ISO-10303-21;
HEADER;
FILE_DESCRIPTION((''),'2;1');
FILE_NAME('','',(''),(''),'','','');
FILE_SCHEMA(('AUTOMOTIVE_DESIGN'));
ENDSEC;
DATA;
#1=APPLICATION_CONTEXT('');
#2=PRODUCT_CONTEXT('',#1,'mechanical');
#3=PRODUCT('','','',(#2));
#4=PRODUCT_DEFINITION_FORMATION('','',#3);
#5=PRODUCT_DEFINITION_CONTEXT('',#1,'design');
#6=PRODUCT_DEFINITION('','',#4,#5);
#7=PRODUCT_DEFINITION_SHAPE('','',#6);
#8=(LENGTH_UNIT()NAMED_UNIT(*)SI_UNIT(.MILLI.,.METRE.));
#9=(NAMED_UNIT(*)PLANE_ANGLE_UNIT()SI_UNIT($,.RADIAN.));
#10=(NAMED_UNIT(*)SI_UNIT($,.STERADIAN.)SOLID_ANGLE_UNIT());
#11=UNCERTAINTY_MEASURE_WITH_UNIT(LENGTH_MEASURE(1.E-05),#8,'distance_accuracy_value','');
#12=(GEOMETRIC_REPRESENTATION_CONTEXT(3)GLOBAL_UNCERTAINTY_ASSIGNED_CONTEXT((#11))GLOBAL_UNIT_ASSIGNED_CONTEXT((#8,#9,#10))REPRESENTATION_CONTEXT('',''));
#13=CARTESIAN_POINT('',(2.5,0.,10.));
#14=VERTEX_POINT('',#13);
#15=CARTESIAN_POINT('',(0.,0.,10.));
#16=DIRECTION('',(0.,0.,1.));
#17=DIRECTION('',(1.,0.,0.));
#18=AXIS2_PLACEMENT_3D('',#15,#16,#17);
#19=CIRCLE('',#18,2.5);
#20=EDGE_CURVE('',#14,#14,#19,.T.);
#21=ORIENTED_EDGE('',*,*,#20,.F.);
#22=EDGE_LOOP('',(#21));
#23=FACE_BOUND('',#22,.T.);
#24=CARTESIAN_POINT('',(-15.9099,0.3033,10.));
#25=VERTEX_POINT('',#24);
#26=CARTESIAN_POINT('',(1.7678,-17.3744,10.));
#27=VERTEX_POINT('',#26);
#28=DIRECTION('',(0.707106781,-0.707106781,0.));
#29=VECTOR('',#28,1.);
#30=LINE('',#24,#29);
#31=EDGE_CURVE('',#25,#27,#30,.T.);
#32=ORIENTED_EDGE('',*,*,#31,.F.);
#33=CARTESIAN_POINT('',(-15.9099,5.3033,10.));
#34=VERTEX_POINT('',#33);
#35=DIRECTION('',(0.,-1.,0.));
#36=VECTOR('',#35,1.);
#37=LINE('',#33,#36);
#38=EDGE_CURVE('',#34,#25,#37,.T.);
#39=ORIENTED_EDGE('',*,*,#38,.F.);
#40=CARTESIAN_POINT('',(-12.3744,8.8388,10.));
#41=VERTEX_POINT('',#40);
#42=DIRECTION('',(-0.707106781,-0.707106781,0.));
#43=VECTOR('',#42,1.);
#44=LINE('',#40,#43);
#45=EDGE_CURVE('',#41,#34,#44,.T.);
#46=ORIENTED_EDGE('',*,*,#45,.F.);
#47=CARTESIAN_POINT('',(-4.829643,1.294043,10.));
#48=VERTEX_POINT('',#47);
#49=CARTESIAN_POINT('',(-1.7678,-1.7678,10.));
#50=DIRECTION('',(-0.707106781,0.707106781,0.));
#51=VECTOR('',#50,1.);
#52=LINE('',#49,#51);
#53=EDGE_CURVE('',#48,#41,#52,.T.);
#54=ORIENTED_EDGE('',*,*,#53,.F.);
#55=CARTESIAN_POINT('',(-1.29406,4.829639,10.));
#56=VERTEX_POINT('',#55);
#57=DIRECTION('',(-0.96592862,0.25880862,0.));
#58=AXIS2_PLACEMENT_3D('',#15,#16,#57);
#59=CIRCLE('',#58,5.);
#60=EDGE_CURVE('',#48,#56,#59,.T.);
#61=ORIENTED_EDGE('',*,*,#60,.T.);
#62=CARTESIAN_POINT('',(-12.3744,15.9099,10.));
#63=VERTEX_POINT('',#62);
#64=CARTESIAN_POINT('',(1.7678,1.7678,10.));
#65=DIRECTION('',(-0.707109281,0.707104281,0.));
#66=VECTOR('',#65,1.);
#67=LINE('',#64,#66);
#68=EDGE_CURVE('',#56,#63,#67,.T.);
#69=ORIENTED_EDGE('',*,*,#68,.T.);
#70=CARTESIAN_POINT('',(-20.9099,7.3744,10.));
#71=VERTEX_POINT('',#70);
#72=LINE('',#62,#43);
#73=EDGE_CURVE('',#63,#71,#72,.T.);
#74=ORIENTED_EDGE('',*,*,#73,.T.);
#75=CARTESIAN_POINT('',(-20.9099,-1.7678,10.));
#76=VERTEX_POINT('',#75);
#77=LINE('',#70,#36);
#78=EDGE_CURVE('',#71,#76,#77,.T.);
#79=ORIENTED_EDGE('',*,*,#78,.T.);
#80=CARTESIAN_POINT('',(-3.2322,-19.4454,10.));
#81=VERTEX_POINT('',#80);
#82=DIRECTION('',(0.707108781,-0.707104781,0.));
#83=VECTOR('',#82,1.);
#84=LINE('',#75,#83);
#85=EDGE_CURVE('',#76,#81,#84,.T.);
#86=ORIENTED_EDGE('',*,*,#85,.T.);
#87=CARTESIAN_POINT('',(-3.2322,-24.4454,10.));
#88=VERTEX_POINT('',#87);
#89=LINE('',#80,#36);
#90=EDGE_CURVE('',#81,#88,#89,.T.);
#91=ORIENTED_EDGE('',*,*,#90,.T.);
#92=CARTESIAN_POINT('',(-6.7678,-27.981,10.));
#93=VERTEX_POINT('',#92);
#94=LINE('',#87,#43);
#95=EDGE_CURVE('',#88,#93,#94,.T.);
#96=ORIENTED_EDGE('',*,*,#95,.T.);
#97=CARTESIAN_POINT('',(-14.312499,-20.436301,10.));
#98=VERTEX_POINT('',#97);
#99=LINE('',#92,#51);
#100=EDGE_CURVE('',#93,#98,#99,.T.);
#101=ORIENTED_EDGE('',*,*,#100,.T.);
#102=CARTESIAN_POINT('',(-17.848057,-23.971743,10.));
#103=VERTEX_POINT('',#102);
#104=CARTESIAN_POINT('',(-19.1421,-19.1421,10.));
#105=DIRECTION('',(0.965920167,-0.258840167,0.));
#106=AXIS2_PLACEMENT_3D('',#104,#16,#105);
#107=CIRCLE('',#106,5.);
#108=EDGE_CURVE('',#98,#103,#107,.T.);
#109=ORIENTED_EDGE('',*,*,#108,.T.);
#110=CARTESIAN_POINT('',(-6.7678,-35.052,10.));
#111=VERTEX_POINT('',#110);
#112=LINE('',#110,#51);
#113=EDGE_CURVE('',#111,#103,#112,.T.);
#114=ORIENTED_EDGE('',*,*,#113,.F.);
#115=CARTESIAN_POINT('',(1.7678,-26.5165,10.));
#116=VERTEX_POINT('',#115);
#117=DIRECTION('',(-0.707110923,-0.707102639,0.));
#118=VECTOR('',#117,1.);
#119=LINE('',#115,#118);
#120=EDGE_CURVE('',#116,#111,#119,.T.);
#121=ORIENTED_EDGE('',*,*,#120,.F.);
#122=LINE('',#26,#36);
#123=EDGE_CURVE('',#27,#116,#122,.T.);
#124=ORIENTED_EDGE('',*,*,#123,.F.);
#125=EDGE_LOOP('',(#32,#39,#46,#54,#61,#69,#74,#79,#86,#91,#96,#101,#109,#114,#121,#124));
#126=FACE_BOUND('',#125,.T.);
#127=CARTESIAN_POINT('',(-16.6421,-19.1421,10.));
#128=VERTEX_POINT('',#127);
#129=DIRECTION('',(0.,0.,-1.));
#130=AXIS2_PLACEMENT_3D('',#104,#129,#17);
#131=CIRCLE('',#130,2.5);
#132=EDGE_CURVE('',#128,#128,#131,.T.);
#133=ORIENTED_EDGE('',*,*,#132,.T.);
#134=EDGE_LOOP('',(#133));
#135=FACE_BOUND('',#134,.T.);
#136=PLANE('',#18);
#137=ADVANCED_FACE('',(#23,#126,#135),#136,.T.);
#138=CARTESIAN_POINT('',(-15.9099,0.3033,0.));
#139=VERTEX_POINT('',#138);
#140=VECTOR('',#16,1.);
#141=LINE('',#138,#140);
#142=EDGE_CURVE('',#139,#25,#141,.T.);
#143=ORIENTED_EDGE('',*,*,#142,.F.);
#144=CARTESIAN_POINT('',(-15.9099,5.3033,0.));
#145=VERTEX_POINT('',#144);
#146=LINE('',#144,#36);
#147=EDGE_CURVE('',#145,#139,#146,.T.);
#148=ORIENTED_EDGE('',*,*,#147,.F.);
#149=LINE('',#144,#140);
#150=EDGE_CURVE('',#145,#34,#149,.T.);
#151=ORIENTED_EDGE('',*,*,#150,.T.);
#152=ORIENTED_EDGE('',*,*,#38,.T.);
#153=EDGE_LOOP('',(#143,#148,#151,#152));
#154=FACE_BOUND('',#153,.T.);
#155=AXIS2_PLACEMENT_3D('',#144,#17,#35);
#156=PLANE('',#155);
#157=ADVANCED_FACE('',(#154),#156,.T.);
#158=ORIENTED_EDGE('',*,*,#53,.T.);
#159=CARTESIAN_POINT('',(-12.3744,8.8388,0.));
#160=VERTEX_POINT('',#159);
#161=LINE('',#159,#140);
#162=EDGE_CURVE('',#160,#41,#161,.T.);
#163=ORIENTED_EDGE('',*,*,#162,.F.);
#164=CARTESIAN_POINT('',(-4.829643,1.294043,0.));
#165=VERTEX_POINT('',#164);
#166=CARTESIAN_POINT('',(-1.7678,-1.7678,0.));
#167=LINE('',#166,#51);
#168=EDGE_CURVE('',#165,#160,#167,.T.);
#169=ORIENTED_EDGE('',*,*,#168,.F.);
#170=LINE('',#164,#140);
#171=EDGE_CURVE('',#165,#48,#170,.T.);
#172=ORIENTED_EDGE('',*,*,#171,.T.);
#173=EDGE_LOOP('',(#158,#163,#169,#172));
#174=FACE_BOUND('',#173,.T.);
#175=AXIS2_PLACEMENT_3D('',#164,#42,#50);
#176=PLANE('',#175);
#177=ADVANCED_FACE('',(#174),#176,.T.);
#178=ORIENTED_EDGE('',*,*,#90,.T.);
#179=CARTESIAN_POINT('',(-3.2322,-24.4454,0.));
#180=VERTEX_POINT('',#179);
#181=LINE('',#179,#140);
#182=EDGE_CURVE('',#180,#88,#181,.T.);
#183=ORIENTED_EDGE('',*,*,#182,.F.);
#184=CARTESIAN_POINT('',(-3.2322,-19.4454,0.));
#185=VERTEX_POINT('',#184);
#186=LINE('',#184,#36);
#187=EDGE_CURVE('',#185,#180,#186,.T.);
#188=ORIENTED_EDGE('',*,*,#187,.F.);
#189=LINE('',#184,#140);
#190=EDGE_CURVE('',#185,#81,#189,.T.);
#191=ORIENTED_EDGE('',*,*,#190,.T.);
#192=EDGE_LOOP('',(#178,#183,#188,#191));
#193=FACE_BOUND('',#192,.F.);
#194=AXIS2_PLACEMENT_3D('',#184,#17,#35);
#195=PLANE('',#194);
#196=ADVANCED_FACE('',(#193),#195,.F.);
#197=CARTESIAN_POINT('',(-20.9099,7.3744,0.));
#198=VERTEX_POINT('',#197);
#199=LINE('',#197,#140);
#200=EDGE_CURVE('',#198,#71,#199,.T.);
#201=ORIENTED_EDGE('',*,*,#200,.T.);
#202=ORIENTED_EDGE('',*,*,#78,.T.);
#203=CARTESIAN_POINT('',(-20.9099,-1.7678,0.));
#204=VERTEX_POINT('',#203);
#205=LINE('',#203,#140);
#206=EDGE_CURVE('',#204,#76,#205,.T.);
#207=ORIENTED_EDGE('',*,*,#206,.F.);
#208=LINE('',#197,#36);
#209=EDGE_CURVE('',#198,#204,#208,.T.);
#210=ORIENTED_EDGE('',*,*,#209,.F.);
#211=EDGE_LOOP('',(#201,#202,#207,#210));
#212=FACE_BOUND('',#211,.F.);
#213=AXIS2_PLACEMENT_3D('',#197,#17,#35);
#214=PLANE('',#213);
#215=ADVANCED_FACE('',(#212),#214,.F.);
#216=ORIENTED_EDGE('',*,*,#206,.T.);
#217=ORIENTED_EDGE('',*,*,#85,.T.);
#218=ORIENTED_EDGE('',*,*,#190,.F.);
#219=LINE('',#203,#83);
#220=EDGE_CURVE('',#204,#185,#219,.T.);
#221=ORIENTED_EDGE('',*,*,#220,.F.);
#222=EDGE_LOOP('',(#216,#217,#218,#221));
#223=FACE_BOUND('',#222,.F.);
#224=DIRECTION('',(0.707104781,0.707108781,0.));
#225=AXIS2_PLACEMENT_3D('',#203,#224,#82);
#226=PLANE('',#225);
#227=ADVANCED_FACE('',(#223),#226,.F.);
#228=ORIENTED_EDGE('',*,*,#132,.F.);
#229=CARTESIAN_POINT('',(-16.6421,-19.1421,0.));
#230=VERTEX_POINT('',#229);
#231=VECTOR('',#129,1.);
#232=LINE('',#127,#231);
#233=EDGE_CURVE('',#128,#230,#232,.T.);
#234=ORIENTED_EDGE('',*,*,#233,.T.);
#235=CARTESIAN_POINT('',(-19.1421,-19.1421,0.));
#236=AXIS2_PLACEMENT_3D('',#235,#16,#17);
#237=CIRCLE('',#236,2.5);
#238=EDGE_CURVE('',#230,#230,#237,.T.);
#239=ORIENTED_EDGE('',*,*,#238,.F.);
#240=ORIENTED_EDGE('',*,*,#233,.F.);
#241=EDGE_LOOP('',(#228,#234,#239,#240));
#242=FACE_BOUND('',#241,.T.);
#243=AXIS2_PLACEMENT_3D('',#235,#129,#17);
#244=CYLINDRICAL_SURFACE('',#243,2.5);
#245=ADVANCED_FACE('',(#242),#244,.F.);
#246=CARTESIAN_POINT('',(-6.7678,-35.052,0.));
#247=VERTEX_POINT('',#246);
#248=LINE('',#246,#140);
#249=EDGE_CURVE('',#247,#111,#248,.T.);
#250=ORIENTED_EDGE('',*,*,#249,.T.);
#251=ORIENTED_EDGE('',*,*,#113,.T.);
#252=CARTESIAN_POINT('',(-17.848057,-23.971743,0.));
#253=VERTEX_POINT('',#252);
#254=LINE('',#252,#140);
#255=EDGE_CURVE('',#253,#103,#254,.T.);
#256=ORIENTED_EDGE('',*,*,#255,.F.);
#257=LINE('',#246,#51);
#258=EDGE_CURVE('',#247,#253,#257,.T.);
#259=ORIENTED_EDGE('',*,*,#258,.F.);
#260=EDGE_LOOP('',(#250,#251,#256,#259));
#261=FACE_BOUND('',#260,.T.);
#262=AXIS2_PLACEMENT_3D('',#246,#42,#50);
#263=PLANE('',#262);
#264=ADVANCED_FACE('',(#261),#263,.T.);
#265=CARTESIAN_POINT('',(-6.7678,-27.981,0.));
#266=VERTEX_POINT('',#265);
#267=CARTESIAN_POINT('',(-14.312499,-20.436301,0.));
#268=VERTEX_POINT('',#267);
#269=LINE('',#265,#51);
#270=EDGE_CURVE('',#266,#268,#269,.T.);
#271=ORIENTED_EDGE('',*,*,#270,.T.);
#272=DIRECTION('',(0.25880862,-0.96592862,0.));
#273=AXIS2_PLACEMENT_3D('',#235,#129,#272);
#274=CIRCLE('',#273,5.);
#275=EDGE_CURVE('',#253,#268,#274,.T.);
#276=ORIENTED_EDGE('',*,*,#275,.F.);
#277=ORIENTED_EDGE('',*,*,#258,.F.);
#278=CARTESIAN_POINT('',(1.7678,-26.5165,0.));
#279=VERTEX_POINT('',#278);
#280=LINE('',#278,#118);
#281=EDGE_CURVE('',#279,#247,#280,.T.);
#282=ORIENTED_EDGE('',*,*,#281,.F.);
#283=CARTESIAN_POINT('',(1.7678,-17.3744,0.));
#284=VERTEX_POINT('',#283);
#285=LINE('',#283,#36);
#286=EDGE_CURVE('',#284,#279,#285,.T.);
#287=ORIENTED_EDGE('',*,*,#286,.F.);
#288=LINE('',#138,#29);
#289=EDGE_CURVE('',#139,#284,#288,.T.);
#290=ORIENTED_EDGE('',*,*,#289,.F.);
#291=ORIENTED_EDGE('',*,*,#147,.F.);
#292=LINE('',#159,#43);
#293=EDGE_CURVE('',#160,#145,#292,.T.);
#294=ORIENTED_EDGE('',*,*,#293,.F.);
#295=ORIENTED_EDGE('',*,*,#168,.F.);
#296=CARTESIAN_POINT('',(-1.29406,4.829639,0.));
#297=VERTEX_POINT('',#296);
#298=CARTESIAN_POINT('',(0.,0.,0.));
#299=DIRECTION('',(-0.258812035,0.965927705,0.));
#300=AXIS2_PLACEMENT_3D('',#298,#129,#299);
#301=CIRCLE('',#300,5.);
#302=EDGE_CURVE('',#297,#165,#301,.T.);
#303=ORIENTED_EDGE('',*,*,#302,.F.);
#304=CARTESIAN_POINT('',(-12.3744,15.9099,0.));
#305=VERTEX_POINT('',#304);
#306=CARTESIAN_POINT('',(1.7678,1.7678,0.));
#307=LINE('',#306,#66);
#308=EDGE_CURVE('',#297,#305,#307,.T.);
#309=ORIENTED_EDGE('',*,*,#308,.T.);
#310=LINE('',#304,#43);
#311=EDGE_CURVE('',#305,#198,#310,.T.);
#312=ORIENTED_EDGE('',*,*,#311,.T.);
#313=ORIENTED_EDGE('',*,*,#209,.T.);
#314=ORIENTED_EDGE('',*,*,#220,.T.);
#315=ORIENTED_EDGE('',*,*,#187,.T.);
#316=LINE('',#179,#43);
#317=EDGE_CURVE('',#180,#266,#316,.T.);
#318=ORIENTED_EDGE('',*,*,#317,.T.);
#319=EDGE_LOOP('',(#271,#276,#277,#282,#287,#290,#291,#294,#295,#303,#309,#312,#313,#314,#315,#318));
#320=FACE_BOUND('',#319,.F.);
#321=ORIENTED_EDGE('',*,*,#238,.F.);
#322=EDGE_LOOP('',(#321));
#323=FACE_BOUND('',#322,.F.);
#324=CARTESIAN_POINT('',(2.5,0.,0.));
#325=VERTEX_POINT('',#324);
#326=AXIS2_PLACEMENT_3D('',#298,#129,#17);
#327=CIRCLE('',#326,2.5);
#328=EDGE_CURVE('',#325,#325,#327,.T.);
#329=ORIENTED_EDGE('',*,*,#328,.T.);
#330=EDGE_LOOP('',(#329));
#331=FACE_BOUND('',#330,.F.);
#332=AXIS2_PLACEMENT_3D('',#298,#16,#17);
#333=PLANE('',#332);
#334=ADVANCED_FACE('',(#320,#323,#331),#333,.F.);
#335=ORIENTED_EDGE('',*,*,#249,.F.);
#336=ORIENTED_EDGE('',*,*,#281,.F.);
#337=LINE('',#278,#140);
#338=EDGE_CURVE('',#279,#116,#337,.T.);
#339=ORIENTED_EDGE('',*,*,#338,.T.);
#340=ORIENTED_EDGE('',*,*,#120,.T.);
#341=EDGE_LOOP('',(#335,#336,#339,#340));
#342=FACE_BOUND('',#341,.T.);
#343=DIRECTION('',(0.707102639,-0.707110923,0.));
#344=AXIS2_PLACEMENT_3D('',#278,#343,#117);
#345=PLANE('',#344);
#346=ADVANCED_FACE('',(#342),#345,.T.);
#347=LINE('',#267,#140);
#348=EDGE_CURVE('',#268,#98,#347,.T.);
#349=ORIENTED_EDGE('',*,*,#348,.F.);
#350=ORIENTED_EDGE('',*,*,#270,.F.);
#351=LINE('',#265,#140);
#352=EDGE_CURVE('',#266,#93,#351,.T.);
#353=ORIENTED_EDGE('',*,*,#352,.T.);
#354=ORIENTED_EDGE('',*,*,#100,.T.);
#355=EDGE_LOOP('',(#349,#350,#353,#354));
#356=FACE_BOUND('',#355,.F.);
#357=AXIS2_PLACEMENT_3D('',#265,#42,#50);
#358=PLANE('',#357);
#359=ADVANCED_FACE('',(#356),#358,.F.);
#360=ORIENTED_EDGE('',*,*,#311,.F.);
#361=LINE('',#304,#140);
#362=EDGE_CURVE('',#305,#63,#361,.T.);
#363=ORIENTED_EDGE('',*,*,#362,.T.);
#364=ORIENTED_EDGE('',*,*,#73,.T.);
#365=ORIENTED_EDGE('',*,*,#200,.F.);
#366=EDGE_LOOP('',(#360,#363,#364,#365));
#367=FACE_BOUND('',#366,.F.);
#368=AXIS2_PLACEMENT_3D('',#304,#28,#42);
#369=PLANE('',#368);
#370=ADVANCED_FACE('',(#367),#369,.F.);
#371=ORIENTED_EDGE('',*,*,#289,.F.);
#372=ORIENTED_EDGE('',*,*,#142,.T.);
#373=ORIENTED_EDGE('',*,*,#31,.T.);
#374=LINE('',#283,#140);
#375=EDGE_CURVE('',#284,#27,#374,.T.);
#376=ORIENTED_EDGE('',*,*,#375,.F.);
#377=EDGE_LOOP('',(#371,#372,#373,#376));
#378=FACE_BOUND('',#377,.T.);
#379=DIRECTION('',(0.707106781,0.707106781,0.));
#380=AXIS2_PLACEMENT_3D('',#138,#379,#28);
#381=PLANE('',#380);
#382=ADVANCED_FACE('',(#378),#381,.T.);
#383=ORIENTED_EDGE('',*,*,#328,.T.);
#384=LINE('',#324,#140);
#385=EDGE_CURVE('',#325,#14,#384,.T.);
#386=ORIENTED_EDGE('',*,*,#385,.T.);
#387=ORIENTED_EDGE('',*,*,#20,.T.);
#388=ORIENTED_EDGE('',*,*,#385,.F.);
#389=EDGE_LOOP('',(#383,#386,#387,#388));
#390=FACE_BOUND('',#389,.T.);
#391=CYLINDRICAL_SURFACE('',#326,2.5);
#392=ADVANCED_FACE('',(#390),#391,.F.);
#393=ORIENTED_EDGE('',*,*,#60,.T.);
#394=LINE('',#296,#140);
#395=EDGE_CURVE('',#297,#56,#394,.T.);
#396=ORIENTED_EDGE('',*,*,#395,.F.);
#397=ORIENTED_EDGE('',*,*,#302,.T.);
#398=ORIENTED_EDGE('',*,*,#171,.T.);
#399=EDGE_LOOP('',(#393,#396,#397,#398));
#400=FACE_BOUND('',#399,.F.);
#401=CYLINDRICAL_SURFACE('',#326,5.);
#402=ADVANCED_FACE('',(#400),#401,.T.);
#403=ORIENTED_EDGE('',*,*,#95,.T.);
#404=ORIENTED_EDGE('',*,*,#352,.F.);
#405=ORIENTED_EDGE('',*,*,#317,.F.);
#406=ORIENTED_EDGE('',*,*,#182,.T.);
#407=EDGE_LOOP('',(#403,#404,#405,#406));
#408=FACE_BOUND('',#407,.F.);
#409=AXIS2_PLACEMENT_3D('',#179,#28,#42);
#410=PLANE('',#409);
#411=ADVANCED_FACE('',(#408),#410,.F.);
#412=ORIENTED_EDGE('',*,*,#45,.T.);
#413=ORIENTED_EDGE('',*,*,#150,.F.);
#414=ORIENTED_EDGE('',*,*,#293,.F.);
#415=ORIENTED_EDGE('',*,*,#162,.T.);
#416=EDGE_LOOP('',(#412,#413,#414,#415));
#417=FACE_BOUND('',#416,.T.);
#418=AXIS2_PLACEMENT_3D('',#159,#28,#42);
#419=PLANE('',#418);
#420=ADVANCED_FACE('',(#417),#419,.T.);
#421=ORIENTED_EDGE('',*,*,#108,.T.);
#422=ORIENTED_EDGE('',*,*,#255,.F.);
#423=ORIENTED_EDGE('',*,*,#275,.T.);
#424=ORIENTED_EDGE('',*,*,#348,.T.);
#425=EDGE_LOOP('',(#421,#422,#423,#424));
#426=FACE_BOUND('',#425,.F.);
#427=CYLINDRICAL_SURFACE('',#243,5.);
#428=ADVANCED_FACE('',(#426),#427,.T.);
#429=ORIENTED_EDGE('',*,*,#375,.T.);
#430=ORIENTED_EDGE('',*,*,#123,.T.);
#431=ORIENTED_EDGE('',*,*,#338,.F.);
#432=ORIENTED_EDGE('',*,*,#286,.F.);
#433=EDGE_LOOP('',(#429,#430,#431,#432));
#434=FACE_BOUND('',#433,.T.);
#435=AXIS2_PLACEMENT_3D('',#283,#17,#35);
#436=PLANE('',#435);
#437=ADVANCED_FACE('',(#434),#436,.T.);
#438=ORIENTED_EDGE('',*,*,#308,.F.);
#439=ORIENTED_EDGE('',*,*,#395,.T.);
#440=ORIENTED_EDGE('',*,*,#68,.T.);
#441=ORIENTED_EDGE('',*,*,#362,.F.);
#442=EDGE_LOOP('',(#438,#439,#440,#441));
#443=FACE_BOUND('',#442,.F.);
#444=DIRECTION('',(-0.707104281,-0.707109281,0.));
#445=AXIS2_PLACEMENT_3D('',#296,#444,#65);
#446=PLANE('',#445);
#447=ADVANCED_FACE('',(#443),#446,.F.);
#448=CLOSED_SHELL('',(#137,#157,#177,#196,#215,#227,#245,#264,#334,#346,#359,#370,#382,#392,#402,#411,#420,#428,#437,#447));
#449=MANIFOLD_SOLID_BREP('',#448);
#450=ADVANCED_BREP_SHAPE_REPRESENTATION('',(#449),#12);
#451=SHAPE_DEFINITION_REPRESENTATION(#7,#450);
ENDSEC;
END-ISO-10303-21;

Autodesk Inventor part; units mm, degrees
ref_plane "YZ Plane" through (0, 0, 0) normal (1, 0, 0) x (0, 1, 0)
ref_plane "XZ Plane" through (0, 0, 0) normal (0, 1, 0) x (-1, 0, 0)
ref_plane "XY Plane" through (0, 0, 0) normal (0, 0, 1) x (1, 0, 0)
sketch "Sketch1" plane through (0, 0, 0) normal (0, 0, 1) x (1, 0, 0)
  circle A0 centre (0, 0) radius 2.5
  circle A1 centre (0, 0) radius 5
  line L0 (-1.7678, -1.7678) -> (-12.3744, 8.8388)
  line L1 (-12.3744, 8.8388) -> (-15.9099, 5.3033)
  line L2 (-15.9099, 5.3033) -> (-15.9099, 0.3033)
  line L3 (-15.9099, 0.3033) -> (1.7678, -17.3744)
  line L4 (1.7678, -17.3744) -> (1.7678, -26.5165)
  line L5 (1.7678, -26.5165) -> (-6.7678, -35.052)
  line L6 (-6.7678, -35.052) -> (-20.9099, -20.9099)
  line L7 (1.7678, 1.7678) -> (-12.3744, 15.9099)
  line L8 (-12.3744, 15.9099) -> (-20.9099, 7.3744)
  line L9 (-20.9099, 7.3744) -> (-20.9099, -1.7678)
  line L10 (-20.9099, -1.7678) -> (-3.2322, -19.4454)
  line L11 (-3.2322, -19.4454) -> (-3.2322, -24.4454)
  line L12 (-3.2322, -24.4454) -> (-6.7678, -27.981)
  line L13 (-6.7678, -27.981) -> (-17.3744, -17.3744)
  line L14 (-17.3744, -17.3744) -> (-20.9099, -20.9099)
  line L15 (-1.7678, -1.7678) -> (1.7678, 1.7678)
  circle A2 centre (-19.1421, -19.1421) radius 2.5
  circle A3 centre (-19.1421, -19.1421) radius 5
  dimension "d0" = 5
  dimension "d1" = 10
  dimension "d3" = 90
  dimension "d4" = 135
  dimension "d5" = 135
  dimension "d6" = 135
  dimension "d7" = 135
  dimension "d8" = 90
  dimension "d9" = 5
  dimension "d12" = 10
  dimension "d13" = 15
  dimension "d14" = 15
  dimension "d15" = 5
  dimension "d16" = 5
  dimension "d17" = 5
  dimension "d18" = 5
  dimension "d20" = 20
  dimension "d21" = 20
  dimension "d22" = 5
  dimension "d23" = 5
  dimension "d24" = 5
extrude "Extrusion2" add sketch "Sketch1" along normal blind 10 contours A0 L7 A1 L0 | A0 L0 A1 L7 | A1 L0 L1 L2 L3 L4 L5 L6 A3 L13 L12 L11 L10 L9 L8 L7 | A3 L6 A2 L13 | L13 A2 L6 A3 | A2 L14 picked at (-18.68, -20.1685)
sketch "Sketch2" plane through (0, 0, 10) normal (0, 0, 1) x (1, 0, 0)
  line L0 (-1.2941, 4.8296) -> (-12.3744, 15.9099) projected
  line L1 (-12.3744, 15.9099) -> (-20.9099, 7.3744) projected
  line L2 (-20.9099, 7.3744) -> (-20.9099, -1.7678) projected
  line L3 (-20.9099, -1.7678) -> (-3.2322, -19.4454) projected
  line L4 (-3.2322, -19.4454) -> (-3.2322, -24.4454) projected
  line L5 (-3.2322, -24.4454) -> (-6.7678, -27.981) projected
  line L6 (-6.7678, -27.981) -> (-14.3125, -20.4362) projected
  arc A0 (-14.3125, -20.4362) -> (-17.848, -23.9718) centre (-19.1421, -19.1421) ccw projected
  line L7 (-17.848, -23.9718) -> (-6.7678, -35.052) projected
  line L8 (-6.7678, -35.052) -> (1.7678, -26.5165) projected
  line L9 (1.7678, -26.5165) -> (1.7678, -17.3744) projected
  line L10 (1.7678, -17.3744) -> (-15.9099, 0.3033) projected
  line L11 (-15.9099, 0.3033) -> (-15.9099, 5.3033) projected
  line L12 (-15.9099, 5.3033) -> (-12.3744, 8.8388) projected
  line L13 (-12.3744, 8.8388) -> (-4.8296, 1.2941) projected
  arc A1 (-4.8296, 1.2941) -> (-1.2941, 4.8296) centre (0, 0) ccw projected
  line L14 (-20.9099, -20.9099) -> (-17.3744, -17.3744) projected
  arc A2 (-17.3744, -17.3744) -> (-20.9099, -20.9099) centre (-19.1421, -19.1421) ccw projected
  circle A3 centre (0, 0) radius 2.5 projected
  circle A4 centre (-19.1421, -19.1421) radius 2.5
extrude "Extrusion3" cut sketch "Sketch2" against normal blind 10 contours L14 A4
equation "\"d1\" = 2 * d0"
equation "\"d9\" = d0"
equation "\"d12\" = d1"
equation "\"d13\" = 3 * d0"
equation "\"d14\" = d13"
equation "\"d15\" = d0"
equation "\"d17\" = d15"
equation "\"d18\" = d16"
properties part number "Sawaiz Logo"
